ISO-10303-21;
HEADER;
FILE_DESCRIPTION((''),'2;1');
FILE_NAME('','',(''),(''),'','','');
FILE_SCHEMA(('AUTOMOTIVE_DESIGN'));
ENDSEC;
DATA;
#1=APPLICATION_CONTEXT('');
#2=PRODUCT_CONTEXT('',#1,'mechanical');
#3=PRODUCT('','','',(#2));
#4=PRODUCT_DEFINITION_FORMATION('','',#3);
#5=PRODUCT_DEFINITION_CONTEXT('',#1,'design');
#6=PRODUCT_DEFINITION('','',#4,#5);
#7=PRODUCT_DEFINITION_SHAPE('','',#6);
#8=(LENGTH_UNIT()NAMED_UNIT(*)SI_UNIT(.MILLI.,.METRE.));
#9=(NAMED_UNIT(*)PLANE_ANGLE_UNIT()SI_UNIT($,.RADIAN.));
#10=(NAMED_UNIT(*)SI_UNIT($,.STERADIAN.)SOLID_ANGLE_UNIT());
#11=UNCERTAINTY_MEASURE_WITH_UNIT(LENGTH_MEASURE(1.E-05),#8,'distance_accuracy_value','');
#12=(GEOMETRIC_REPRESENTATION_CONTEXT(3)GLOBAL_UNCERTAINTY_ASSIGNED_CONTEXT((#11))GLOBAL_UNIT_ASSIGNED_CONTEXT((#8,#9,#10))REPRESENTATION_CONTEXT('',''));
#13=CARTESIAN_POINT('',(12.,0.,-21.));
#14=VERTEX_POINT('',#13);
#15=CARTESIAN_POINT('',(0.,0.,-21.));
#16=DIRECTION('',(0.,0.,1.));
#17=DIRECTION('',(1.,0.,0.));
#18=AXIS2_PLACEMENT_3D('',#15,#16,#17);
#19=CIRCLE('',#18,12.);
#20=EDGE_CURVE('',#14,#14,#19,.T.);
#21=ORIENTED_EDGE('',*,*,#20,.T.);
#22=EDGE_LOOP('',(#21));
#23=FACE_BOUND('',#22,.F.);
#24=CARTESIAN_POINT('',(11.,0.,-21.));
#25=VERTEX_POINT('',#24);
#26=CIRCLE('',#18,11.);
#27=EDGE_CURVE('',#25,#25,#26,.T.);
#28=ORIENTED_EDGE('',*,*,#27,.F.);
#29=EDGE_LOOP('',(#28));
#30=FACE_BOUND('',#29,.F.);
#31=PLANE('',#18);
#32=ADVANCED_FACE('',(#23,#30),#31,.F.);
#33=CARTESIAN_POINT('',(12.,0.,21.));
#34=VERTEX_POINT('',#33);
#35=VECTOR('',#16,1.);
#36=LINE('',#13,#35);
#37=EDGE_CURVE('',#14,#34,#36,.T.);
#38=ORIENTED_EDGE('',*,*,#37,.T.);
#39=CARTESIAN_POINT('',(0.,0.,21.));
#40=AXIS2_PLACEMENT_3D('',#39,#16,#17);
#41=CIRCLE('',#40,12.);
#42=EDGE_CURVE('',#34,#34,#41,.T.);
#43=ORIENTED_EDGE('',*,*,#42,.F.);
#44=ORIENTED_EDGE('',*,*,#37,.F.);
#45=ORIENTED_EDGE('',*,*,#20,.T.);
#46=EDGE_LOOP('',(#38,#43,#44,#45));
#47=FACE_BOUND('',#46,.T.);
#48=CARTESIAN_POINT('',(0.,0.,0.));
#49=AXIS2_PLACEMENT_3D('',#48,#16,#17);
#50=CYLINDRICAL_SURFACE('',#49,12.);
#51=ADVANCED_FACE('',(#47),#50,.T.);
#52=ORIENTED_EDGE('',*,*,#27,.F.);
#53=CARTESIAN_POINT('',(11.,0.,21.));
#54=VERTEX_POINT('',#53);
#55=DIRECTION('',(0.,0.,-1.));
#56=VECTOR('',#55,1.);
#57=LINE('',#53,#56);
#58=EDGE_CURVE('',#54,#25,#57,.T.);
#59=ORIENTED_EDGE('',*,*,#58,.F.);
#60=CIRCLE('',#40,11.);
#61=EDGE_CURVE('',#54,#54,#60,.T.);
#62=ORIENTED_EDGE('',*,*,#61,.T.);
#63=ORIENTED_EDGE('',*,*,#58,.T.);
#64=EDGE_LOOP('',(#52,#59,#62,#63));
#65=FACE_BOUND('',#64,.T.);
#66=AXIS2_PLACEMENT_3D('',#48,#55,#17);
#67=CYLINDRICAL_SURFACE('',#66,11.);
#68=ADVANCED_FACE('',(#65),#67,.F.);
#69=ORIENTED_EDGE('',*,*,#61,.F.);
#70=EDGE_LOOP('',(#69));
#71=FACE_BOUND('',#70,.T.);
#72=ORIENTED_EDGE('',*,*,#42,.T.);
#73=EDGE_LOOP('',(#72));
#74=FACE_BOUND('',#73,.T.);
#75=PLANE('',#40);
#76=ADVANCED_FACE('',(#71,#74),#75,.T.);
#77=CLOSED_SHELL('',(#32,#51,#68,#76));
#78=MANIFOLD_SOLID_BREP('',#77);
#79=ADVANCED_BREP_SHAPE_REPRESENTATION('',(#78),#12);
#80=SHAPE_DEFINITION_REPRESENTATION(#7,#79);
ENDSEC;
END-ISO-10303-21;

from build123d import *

# Parameters (mm, degrees)
SKETCH1_R           = 12
SKETCH1_R_2         = 11
BOSS_EXTRUDE1_DEPTH = 21


with BuildPart() as part:
    # Sketch1 → Boss-Extrude1 (new body, symmetric)
    with BuildSketch(Plane.XY):
        Circle(SKETCH1_R)
        Circle(SKETCH1_R_2, mode=Mode.SUBTRACT)
    extrude(amount=BOSS_EXTRUDE1_DEPTH, both=True)


solid = part.part
